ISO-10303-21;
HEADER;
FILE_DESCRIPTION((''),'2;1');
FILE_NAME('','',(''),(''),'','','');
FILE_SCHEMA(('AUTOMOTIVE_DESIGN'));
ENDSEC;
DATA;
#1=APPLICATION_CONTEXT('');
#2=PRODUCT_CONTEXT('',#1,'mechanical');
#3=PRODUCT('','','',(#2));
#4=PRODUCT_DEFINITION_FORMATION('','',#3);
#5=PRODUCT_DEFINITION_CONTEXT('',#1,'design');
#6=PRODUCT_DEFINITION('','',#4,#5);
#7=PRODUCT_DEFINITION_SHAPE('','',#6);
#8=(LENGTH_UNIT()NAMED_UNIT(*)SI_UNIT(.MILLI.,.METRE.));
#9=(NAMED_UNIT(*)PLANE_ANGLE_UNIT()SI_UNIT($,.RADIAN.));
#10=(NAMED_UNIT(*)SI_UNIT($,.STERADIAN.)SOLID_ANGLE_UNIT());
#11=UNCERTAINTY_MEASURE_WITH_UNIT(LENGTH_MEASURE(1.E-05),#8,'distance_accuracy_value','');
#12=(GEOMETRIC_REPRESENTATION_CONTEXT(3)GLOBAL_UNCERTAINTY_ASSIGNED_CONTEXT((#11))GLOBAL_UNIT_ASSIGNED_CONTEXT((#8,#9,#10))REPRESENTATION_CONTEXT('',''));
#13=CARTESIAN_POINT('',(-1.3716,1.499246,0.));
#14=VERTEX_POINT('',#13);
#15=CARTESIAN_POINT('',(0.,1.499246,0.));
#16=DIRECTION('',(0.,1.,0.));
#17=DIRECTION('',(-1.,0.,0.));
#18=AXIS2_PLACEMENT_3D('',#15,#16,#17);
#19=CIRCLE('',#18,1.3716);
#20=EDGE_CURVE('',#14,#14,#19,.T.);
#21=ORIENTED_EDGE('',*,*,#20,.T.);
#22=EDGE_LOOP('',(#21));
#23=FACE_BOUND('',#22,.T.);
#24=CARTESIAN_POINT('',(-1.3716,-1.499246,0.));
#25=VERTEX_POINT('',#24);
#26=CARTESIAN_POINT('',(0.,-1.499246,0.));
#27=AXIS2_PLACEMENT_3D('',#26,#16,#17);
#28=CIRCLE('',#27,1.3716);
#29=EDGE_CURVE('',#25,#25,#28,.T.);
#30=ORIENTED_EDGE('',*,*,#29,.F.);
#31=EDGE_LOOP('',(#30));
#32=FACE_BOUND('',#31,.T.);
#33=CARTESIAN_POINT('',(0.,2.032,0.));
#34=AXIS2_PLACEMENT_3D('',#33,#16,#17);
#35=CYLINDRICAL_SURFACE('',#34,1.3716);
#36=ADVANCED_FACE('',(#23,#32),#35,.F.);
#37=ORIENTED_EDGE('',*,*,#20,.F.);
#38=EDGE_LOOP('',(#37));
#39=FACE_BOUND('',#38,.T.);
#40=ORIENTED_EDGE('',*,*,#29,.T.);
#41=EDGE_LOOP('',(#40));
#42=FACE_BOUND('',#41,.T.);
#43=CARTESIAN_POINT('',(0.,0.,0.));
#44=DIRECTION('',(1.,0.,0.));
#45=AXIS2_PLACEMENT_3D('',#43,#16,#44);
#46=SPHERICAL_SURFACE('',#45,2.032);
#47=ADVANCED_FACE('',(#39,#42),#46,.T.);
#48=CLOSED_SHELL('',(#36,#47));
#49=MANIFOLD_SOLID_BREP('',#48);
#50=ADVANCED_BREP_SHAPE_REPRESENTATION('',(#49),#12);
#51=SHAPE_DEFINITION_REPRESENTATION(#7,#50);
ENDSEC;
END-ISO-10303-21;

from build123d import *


with BuildPart() as part:
    # Sketch1 → Revolve1 (revolve)
    with BuildSketch(Plane.XY):
        with BuildLine():
            ThreePointArc((1.3716, -1.499245624), (2.032, 0), (1.3716, 1.499245624))
            Line((1.3716, 1.499245624), (1.3716, -1.499245624))
        make_face()
    revolve(axis=Axis((0, 2.032, 0), (0, -1, 0)))


solid = part.part
